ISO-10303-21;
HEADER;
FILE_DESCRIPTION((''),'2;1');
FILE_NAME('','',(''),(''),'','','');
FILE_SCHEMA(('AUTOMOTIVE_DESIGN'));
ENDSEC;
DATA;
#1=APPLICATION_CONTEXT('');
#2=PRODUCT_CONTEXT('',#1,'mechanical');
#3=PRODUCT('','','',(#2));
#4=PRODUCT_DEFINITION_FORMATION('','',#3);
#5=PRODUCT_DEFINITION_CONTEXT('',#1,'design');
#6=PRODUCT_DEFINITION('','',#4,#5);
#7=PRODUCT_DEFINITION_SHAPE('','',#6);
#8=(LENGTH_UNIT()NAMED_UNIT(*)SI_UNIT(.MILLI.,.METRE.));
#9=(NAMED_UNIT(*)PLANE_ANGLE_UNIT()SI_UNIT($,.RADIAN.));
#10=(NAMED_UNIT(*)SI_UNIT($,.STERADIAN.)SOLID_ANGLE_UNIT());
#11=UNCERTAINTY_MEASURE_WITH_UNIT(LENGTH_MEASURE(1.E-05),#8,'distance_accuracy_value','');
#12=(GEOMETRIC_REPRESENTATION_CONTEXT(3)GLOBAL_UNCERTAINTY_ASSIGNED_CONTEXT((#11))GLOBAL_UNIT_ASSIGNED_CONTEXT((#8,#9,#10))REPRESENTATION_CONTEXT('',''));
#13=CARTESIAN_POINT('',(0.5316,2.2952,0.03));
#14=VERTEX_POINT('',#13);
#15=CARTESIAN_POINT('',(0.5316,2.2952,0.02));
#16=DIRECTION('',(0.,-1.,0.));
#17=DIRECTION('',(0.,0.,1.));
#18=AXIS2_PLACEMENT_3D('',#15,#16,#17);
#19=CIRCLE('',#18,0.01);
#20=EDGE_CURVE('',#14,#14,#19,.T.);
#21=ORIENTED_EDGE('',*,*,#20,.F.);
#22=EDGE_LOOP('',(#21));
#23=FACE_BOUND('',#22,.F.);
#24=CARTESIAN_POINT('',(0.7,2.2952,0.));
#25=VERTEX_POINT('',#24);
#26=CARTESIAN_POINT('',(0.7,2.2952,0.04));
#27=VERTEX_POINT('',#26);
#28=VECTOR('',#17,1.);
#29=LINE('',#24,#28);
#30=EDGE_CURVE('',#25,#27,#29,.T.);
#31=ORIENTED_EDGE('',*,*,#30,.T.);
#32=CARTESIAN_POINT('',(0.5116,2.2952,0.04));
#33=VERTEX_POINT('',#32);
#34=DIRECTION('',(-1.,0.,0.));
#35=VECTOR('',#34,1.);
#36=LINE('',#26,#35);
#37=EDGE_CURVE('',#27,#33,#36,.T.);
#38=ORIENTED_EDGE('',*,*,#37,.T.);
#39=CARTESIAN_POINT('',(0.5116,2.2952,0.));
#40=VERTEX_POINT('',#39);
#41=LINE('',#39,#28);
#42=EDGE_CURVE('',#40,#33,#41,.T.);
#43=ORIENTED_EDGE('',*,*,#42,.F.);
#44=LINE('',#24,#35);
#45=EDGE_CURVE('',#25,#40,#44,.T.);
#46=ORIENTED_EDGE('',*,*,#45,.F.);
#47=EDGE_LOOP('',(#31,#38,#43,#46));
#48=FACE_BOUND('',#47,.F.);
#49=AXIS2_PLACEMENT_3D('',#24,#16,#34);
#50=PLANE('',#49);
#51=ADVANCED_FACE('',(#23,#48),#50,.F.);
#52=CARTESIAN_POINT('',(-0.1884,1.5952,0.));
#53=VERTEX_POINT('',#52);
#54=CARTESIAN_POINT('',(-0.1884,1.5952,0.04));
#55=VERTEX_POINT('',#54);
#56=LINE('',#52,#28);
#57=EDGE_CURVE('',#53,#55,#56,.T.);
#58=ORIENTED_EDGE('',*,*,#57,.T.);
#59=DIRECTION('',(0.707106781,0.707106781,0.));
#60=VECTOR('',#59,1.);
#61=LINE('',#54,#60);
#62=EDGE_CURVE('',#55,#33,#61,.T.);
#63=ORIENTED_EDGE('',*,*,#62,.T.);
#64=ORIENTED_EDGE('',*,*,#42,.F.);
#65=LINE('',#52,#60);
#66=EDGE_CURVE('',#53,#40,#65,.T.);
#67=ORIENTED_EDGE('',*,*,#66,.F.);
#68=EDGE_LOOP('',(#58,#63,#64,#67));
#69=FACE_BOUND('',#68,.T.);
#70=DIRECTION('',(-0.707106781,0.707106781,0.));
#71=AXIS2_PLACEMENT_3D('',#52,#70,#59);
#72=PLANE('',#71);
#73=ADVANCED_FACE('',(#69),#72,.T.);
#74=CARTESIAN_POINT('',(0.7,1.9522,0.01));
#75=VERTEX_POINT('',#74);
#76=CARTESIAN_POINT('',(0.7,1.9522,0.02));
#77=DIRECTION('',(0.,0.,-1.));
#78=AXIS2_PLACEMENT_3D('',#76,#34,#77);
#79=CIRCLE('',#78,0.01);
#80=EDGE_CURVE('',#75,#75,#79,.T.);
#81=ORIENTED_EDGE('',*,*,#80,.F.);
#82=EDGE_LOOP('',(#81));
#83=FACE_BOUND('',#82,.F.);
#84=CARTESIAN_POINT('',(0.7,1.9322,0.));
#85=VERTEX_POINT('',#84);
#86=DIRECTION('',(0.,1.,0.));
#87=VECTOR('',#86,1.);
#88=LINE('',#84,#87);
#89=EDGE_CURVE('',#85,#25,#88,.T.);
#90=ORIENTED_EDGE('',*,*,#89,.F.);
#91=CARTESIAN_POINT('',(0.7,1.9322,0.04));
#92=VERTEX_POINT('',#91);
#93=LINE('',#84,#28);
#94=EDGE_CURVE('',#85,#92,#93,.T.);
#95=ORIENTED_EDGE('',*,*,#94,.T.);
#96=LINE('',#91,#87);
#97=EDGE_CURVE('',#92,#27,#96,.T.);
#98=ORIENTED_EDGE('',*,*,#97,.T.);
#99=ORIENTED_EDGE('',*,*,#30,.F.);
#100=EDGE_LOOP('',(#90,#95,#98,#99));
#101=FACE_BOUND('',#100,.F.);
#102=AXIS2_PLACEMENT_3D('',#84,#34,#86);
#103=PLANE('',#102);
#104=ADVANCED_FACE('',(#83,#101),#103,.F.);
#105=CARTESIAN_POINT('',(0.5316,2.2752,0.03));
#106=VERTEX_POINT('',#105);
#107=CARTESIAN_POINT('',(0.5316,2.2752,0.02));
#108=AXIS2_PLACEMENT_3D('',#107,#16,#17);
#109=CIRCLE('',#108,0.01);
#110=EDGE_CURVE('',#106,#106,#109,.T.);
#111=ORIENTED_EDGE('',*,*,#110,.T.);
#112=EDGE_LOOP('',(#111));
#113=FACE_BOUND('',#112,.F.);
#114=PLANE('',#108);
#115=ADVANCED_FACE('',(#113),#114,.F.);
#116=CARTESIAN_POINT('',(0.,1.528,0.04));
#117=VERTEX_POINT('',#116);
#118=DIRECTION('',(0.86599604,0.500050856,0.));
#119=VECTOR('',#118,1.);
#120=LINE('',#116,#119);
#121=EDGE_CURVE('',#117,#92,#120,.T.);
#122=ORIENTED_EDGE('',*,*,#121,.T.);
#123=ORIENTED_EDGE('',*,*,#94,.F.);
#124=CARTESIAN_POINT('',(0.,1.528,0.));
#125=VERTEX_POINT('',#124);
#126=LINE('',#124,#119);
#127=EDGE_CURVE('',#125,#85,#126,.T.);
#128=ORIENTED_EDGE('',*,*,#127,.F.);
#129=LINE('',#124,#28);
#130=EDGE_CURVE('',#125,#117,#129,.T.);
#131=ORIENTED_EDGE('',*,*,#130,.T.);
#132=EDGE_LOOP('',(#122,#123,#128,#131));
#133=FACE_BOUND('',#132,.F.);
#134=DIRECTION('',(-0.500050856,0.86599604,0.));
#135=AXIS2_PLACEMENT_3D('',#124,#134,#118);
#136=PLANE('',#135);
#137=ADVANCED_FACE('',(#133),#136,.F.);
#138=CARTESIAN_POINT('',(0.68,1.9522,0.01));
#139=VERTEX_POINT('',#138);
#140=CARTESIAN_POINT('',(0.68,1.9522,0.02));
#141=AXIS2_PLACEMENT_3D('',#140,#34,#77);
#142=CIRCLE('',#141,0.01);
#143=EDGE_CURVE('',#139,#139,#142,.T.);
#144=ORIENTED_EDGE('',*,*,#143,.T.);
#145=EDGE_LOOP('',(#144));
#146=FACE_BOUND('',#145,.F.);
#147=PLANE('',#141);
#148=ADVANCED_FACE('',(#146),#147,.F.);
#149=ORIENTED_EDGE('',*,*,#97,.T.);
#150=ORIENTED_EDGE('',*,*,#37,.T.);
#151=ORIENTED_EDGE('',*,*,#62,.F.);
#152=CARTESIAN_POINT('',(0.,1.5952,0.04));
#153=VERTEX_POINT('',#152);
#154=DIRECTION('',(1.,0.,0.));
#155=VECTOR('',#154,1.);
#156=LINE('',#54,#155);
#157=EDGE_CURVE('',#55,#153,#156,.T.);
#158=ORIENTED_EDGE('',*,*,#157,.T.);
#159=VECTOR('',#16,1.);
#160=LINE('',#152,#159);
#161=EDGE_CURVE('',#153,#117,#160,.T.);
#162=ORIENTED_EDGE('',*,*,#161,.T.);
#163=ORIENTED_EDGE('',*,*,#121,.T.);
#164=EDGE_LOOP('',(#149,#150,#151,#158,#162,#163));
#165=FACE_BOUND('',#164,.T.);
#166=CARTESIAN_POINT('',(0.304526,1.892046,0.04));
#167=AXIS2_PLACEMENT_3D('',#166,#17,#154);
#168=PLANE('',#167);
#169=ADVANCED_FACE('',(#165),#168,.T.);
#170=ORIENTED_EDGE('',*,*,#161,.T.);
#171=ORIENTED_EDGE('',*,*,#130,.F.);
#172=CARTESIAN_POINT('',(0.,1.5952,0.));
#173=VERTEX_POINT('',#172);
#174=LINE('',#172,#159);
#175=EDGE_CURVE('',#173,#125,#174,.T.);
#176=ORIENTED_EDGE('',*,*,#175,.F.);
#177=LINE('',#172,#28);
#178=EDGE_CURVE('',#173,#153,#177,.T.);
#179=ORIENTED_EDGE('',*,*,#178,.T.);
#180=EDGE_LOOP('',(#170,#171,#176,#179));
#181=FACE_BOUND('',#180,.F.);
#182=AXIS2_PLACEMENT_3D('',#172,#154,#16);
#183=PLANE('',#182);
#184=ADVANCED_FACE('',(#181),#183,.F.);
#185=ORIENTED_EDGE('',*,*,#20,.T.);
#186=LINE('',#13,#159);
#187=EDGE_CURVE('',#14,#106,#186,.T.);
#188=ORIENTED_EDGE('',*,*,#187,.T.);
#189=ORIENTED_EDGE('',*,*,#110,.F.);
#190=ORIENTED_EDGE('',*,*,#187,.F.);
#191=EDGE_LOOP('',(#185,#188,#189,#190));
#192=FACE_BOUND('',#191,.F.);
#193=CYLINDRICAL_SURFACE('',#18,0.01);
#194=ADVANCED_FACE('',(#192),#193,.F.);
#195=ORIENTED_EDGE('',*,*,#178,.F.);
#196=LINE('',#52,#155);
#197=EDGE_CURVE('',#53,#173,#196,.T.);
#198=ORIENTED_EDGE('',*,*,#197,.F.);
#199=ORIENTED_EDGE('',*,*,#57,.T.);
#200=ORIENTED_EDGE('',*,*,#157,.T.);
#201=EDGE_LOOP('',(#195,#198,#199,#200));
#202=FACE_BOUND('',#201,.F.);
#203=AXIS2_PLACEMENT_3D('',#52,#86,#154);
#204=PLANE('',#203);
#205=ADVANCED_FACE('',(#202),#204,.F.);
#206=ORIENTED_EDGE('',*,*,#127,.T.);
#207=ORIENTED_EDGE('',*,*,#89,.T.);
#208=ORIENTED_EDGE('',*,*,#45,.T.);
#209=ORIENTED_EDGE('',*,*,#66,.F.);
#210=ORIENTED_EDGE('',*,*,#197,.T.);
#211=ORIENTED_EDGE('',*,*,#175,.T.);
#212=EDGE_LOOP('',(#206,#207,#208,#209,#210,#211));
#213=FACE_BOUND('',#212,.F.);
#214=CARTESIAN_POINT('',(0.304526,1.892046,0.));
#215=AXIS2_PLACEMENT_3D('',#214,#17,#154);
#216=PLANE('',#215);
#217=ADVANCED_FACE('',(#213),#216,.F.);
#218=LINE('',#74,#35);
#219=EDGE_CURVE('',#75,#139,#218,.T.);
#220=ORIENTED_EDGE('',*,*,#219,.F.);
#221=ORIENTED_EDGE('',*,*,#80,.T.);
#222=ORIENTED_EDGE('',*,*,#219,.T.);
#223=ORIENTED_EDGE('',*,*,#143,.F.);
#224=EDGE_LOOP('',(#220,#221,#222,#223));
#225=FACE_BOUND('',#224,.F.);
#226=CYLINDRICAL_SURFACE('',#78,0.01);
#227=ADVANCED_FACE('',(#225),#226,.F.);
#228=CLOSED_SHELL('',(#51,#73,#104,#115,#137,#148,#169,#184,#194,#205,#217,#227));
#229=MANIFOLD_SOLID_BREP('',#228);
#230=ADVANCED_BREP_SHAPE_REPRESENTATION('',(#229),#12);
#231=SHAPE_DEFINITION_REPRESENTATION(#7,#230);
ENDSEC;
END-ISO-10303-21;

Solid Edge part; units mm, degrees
sketch "Sketch1" plane through (0, 0, 0) normal (0, 0, 1) x (1, 0, 0)
  line L0 (0.7, 1.9322) -> (0.7, 2.2952)
  line L1 (0.7, 2.2952) -> (0.5116, 2.2952)
  line L2 (-0.1884, 1.5952) -> (0.5116, 2.2952)
  line L3 (-0.1884, 1.5952) -> (0, 1.5952)
  line L4 (0, 1.5952) -> (0, 1.528)
  line L5 (0, 1.528) -> (0.7, 1.9322)
extrude "Protrusion1" add sketch "Sketch1" along normal blind 0.04
hole "Bohrung_9" at (0.7, 1.9522, 0.02) direction (-1, 0, 0) diameter 0.02 depth 0.02
hole "Bohrung_10" at (0.5316, 2.2952, 0.02) direction (0, -1, 0) diameter 0.02 depth 0.02
